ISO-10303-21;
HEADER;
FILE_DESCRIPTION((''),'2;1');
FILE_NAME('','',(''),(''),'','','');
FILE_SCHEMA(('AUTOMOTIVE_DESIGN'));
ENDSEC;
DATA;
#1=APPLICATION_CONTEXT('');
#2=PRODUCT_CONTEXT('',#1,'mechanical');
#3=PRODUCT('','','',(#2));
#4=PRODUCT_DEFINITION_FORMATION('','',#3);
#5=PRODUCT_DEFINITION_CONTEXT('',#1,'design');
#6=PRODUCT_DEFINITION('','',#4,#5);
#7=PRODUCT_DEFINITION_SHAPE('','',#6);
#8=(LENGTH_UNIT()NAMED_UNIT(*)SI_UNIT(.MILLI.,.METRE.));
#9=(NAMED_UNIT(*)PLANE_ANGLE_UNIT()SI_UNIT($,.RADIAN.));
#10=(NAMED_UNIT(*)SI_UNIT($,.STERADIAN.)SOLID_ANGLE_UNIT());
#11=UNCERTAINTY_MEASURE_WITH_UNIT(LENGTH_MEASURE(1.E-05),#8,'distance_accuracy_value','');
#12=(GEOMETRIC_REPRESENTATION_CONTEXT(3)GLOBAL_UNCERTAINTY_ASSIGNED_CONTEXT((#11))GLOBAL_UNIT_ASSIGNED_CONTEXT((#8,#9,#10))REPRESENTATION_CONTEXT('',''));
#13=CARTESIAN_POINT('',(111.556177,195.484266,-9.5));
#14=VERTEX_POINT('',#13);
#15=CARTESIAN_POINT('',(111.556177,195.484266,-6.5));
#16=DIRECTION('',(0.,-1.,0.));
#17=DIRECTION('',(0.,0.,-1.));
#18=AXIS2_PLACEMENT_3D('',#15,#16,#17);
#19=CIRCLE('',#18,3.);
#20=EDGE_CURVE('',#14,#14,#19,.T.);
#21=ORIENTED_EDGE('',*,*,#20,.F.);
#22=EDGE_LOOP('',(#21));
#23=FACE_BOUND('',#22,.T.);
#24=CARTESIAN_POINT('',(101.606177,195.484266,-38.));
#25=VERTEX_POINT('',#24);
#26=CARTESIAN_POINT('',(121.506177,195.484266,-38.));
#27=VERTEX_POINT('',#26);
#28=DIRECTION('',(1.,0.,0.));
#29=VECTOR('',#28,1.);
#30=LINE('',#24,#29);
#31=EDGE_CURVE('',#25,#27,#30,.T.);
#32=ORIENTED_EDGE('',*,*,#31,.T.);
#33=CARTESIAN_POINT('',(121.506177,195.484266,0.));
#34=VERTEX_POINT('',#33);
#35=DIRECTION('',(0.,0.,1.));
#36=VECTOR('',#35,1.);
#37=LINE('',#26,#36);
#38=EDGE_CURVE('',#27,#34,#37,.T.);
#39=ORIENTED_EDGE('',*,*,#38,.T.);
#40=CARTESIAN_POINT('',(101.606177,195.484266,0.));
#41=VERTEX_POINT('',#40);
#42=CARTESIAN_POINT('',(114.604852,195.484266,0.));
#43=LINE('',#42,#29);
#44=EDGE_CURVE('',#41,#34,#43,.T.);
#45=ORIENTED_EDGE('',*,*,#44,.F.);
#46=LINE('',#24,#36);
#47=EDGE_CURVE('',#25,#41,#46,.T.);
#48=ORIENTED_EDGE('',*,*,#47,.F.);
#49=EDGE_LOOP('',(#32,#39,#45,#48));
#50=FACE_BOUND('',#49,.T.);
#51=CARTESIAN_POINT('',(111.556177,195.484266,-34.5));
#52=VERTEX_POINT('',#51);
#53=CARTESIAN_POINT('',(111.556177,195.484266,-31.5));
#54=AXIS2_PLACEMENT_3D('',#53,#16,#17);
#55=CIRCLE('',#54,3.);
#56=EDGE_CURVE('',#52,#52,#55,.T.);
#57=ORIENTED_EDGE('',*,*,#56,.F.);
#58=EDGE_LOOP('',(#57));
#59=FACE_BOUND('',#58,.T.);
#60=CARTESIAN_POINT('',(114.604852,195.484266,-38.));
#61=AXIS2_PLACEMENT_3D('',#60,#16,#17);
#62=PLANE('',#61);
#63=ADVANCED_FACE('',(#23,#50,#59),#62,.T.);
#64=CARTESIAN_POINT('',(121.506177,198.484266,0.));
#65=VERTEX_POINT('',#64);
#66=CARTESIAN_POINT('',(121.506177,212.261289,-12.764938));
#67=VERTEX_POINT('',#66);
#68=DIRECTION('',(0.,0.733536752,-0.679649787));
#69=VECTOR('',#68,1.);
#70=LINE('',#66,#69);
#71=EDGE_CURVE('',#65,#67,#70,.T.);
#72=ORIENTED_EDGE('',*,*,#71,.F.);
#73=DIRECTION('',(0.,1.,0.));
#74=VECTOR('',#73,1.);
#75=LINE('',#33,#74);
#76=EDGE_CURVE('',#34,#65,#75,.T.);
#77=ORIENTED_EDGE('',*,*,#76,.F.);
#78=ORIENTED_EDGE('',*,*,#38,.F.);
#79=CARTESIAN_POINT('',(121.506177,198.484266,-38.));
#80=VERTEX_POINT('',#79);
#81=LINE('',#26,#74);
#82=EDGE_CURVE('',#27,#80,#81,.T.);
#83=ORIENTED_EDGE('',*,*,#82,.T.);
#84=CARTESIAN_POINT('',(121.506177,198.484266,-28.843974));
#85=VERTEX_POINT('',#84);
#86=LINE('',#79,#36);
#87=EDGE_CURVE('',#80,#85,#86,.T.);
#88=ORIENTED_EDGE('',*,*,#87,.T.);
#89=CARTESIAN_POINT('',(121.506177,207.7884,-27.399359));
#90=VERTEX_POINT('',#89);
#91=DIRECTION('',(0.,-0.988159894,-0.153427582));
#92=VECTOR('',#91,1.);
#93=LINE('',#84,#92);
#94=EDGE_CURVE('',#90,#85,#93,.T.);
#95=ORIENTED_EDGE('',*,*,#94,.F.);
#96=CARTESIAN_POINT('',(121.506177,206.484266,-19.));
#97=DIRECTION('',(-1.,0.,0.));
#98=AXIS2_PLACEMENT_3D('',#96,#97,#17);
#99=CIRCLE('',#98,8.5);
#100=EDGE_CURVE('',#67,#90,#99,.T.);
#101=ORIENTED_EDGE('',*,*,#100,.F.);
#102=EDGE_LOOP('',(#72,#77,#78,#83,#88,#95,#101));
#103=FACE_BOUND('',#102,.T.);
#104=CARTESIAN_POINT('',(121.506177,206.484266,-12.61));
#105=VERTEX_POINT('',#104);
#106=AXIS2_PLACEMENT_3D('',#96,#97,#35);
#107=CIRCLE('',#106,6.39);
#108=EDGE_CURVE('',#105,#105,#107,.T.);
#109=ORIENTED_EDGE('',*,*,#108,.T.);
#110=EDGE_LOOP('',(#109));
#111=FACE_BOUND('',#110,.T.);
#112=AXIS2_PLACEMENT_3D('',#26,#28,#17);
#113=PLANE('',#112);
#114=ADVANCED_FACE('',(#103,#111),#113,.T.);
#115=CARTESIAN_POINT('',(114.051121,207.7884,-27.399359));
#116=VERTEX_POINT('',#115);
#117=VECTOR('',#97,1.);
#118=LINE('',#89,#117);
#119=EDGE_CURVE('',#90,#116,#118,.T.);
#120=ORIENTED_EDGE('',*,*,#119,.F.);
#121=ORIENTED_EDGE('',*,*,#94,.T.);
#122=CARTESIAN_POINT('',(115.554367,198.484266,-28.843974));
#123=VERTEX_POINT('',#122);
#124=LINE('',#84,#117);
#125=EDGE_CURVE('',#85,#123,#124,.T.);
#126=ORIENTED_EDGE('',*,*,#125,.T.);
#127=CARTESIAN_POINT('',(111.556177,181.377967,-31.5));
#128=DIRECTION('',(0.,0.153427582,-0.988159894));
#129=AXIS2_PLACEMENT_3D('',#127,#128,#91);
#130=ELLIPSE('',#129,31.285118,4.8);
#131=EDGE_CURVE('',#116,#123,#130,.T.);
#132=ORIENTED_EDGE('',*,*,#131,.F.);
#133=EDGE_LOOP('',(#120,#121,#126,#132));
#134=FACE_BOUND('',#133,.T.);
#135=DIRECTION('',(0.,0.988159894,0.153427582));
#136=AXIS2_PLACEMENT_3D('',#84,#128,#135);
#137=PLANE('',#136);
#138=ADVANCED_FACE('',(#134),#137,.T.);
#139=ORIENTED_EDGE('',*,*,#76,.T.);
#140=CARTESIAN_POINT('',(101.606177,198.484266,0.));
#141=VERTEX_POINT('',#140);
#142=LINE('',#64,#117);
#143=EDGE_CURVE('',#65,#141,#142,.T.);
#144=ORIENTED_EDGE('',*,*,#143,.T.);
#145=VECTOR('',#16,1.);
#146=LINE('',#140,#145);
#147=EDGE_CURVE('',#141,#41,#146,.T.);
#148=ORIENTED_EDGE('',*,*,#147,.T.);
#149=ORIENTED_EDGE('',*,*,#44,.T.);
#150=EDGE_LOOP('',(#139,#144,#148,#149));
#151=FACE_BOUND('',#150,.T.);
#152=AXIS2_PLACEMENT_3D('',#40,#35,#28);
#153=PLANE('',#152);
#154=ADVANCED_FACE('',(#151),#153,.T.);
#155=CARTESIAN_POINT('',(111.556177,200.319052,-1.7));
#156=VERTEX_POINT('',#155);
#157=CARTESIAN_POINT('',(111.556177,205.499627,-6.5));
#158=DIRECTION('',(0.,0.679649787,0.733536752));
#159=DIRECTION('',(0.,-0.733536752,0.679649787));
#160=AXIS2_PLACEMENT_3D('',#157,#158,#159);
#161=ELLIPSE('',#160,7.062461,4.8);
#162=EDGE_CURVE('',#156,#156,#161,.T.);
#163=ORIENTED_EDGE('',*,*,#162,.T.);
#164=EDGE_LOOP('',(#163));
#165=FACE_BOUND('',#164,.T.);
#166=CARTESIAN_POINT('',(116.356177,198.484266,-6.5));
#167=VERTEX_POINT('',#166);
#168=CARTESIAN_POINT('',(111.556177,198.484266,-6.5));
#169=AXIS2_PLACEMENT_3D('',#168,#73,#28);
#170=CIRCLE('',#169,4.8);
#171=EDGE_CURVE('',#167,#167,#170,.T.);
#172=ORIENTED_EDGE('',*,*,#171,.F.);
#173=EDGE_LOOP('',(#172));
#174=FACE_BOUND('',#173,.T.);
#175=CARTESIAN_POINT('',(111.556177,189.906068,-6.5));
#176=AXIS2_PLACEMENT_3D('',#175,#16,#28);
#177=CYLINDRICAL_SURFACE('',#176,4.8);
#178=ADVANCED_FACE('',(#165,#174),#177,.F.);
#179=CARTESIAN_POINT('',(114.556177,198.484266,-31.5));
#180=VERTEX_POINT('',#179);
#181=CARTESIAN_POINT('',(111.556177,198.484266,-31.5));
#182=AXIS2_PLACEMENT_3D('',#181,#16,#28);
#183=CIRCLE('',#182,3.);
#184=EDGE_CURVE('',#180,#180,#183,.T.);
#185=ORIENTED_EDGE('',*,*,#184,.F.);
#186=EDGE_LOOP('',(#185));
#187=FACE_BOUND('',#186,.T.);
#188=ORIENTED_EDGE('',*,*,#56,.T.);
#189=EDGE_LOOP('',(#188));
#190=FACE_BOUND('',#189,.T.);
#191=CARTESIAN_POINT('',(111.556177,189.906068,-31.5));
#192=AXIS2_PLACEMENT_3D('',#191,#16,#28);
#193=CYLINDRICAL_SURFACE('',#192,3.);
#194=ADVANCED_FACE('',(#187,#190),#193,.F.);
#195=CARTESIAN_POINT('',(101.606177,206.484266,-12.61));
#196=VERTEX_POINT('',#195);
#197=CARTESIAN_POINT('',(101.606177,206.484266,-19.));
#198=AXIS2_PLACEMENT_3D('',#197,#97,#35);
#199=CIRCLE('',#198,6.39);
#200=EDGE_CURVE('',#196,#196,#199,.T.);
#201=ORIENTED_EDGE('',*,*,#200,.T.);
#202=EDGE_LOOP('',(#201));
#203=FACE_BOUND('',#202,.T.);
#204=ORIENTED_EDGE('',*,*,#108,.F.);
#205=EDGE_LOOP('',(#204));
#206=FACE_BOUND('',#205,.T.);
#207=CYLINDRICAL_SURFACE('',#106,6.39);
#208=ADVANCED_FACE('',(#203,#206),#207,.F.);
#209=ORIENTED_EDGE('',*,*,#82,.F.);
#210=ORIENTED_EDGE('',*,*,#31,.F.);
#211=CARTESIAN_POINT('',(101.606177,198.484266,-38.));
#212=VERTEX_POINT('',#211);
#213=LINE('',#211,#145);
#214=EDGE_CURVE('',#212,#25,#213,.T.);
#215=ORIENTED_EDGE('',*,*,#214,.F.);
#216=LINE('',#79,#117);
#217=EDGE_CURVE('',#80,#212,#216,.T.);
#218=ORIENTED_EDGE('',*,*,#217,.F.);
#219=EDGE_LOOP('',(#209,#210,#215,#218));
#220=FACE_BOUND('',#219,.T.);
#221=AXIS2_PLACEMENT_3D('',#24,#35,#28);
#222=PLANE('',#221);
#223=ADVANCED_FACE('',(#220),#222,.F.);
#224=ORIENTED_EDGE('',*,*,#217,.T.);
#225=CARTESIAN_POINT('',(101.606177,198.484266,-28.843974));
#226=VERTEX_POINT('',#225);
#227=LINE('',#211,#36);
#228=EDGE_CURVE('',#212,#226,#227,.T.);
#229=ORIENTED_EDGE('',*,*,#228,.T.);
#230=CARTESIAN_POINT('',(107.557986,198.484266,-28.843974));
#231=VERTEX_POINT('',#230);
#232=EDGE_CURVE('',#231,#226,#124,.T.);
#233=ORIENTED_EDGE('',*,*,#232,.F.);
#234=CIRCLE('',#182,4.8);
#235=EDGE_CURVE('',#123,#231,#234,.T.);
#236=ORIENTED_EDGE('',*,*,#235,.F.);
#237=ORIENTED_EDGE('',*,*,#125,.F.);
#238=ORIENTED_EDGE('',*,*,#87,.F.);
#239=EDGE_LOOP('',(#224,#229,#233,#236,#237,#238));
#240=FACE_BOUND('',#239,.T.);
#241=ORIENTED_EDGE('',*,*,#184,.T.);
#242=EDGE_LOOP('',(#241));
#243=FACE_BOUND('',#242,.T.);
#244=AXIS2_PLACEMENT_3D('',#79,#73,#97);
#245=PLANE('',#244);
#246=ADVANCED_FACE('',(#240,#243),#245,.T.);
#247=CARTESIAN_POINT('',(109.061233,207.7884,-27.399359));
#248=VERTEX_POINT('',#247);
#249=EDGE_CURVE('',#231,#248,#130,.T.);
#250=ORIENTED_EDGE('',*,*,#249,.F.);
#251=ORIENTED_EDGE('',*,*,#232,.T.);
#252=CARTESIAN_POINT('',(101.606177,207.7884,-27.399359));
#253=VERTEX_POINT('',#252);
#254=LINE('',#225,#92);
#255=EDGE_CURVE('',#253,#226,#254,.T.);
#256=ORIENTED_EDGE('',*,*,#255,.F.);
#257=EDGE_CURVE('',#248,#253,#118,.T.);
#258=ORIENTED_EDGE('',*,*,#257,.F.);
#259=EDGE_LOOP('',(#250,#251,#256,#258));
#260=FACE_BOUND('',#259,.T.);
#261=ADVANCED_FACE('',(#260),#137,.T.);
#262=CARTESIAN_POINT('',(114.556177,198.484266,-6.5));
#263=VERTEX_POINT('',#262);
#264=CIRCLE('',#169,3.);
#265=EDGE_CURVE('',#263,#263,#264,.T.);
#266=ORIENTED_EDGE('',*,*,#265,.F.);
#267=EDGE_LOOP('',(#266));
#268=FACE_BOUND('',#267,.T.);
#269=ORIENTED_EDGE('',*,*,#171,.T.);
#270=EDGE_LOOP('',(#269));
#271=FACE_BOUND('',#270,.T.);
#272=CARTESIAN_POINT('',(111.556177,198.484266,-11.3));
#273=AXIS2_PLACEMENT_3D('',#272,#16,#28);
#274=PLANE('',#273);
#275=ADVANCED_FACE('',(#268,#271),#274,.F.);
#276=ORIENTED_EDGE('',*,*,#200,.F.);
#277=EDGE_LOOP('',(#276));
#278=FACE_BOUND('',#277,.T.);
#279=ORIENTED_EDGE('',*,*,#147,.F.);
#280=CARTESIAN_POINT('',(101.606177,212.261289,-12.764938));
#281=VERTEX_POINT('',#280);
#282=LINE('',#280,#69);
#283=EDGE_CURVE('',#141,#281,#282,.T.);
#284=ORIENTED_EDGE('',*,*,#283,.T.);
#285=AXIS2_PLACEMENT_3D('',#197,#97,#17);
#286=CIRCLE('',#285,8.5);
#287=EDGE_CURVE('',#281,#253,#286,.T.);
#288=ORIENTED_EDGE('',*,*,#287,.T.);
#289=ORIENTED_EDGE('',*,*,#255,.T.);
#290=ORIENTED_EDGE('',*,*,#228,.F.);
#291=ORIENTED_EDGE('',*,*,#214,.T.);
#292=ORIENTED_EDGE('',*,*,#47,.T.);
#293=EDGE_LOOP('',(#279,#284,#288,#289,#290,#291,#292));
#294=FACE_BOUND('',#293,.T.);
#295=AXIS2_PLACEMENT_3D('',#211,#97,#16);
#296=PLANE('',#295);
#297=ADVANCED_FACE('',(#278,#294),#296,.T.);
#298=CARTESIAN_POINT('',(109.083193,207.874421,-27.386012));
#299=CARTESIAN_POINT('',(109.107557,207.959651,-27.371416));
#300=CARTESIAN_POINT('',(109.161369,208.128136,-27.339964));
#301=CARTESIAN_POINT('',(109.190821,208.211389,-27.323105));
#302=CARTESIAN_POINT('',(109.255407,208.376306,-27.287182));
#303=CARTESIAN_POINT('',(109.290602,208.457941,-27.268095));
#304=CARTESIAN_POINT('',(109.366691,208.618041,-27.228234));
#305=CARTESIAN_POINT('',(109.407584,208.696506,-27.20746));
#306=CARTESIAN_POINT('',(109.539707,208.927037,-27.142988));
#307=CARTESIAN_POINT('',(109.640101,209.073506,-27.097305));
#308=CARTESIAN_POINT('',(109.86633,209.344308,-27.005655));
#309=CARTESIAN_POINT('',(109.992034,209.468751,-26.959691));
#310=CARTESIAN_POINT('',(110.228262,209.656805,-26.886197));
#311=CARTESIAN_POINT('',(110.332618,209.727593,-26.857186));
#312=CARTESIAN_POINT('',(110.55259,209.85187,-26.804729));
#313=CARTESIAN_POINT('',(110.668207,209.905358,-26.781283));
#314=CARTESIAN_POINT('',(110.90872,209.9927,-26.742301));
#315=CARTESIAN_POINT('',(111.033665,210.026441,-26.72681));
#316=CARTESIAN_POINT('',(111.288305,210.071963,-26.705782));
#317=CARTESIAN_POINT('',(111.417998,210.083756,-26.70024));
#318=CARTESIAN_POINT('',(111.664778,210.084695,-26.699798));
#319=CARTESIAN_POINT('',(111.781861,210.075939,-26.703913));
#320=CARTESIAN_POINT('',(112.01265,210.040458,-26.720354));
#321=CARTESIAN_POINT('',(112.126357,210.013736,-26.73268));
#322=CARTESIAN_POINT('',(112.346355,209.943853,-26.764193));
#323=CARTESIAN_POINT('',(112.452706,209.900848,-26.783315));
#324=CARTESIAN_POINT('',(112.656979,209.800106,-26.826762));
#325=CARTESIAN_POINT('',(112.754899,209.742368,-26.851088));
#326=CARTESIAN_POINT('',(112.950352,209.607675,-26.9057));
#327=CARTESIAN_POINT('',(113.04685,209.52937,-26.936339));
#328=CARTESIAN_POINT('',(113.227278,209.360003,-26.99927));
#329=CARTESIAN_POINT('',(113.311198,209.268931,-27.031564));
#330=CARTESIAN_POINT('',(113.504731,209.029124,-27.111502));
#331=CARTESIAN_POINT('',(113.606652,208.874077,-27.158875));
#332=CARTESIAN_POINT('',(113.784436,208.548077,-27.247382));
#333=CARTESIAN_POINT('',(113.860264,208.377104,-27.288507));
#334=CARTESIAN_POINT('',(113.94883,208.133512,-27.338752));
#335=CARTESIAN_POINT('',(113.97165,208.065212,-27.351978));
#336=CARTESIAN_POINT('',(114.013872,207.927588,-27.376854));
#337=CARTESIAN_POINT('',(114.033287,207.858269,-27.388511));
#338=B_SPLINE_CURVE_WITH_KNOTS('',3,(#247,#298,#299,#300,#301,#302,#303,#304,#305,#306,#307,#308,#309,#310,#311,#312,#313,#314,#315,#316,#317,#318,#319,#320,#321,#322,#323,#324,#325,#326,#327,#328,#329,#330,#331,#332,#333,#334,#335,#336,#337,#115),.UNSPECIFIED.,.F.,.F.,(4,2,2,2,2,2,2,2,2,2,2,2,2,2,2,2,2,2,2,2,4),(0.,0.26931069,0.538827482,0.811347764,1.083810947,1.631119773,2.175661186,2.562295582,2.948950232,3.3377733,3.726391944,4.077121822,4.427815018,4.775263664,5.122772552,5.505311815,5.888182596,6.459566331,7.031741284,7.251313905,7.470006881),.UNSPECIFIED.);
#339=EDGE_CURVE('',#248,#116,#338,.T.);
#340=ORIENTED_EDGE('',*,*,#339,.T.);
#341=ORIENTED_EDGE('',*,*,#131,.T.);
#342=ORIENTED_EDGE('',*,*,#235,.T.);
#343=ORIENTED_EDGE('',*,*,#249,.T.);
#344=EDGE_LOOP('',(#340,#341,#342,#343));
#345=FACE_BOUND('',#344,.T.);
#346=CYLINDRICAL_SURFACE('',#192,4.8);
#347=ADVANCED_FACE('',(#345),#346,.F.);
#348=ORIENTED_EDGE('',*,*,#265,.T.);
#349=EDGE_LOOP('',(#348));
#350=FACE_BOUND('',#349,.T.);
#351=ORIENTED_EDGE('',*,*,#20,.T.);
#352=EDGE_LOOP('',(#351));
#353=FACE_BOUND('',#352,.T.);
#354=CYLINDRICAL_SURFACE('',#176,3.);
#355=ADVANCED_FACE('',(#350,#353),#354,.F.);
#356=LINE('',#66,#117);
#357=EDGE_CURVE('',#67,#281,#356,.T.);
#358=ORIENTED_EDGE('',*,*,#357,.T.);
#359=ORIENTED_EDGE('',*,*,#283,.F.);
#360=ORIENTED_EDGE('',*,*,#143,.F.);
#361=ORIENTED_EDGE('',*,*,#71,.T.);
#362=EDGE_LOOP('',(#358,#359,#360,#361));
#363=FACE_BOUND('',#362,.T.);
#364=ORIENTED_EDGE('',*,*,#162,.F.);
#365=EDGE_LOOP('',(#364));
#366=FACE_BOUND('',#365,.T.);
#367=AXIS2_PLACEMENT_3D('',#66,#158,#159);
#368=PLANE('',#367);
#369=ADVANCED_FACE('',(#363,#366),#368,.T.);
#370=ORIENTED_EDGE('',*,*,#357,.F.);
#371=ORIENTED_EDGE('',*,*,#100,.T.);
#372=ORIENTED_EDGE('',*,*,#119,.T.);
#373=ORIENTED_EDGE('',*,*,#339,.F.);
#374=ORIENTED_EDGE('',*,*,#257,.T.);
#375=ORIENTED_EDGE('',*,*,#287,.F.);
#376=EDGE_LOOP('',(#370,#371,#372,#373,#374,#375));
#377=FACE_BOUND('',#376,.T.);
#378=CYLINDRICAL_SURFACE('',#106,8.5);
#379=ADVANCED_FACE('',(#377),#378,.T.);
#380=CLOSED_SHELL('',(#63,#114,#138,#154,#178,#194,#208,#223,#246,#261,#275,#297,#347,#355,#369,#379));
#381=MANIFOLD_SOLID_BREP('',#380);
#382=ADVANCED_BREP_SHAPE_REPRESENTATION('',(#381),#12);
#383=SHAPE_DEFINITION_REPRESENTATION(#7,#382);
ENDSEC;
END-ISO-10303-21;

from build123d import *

# Parameters (mm, degrees)
BOSS_EXTRUDE1_DEPTH = 38
SKETCH2_R           = 6.39
BOSS_EXTRUDE2_DEPTH = 19.9


with BuildPart() as part:
    # Sketch1 → Boss-Extrude1 (new body)
    with BuildSketch(Plane.XY):
        Polygon((101.60617691, 195.484265545), (108.51617691, 195.484265545), (114.604851948, 195.484265545), (121.50617691, 195.484265545), (121.50617691, 198.484265545), (101.60617691, 198.484265545), align=None)
    extrude(amount=-BOSS_EXTRUDE1_DEPTH)

    # Sketch2 → Boss-Extrude2 (add)
    with BuildSketch(Plane.ZY.offset(-101.60617691)):
        with BuildLine():
            Line((-28.843974353, 198.484265545), (-27.399359103, 207.788399993))
            ThreePointArc((-27.399359103, 207.788399993), (-21.484497631, 214.613058291), (-12.764937605, 212.261288734))
            Line((-12.764937605, 212.261288734), (0, 198.484265545))
            Line((0, 198.484265545), (-28.843974353, 198.484265545))
        make_face()
        with Locations((-19, 206.484265545)):
            Circle(SKETCH2_R, mode=Mode.SUBTRACT)
    extrude(amount=-BOSS_EXTRUDE2_DEPTH)

    # Sketch3 → Cut-Revolve1 (revolve, cut)
    with BuildSketch(Plane.ZY.offset(-111.55617691)):
        Polygon((-26.7, 211.670017018), (-26.7, 198.484265545), (-28.5, 198.484265545), (-28.5, 189.906068288), (-31.5, 189.906068288), (-31.5, 211.670017018), align=None)
    cut_revolve1 = revolve(axis=Axis((111.55617691, 189.906068288, -31.5), (0, 1, 0)), mode=Mode.SUBTRACT)

    # Mirror1: Cut-Revolve1 across plane
    add(cut_revolve1.mirror(Plane(origin=(0, 0, -19), x_dir=(1, 0, 0), z_dir=(0, 0, -1))), mode=Mode.SUBTRACT)


solid = part.part
